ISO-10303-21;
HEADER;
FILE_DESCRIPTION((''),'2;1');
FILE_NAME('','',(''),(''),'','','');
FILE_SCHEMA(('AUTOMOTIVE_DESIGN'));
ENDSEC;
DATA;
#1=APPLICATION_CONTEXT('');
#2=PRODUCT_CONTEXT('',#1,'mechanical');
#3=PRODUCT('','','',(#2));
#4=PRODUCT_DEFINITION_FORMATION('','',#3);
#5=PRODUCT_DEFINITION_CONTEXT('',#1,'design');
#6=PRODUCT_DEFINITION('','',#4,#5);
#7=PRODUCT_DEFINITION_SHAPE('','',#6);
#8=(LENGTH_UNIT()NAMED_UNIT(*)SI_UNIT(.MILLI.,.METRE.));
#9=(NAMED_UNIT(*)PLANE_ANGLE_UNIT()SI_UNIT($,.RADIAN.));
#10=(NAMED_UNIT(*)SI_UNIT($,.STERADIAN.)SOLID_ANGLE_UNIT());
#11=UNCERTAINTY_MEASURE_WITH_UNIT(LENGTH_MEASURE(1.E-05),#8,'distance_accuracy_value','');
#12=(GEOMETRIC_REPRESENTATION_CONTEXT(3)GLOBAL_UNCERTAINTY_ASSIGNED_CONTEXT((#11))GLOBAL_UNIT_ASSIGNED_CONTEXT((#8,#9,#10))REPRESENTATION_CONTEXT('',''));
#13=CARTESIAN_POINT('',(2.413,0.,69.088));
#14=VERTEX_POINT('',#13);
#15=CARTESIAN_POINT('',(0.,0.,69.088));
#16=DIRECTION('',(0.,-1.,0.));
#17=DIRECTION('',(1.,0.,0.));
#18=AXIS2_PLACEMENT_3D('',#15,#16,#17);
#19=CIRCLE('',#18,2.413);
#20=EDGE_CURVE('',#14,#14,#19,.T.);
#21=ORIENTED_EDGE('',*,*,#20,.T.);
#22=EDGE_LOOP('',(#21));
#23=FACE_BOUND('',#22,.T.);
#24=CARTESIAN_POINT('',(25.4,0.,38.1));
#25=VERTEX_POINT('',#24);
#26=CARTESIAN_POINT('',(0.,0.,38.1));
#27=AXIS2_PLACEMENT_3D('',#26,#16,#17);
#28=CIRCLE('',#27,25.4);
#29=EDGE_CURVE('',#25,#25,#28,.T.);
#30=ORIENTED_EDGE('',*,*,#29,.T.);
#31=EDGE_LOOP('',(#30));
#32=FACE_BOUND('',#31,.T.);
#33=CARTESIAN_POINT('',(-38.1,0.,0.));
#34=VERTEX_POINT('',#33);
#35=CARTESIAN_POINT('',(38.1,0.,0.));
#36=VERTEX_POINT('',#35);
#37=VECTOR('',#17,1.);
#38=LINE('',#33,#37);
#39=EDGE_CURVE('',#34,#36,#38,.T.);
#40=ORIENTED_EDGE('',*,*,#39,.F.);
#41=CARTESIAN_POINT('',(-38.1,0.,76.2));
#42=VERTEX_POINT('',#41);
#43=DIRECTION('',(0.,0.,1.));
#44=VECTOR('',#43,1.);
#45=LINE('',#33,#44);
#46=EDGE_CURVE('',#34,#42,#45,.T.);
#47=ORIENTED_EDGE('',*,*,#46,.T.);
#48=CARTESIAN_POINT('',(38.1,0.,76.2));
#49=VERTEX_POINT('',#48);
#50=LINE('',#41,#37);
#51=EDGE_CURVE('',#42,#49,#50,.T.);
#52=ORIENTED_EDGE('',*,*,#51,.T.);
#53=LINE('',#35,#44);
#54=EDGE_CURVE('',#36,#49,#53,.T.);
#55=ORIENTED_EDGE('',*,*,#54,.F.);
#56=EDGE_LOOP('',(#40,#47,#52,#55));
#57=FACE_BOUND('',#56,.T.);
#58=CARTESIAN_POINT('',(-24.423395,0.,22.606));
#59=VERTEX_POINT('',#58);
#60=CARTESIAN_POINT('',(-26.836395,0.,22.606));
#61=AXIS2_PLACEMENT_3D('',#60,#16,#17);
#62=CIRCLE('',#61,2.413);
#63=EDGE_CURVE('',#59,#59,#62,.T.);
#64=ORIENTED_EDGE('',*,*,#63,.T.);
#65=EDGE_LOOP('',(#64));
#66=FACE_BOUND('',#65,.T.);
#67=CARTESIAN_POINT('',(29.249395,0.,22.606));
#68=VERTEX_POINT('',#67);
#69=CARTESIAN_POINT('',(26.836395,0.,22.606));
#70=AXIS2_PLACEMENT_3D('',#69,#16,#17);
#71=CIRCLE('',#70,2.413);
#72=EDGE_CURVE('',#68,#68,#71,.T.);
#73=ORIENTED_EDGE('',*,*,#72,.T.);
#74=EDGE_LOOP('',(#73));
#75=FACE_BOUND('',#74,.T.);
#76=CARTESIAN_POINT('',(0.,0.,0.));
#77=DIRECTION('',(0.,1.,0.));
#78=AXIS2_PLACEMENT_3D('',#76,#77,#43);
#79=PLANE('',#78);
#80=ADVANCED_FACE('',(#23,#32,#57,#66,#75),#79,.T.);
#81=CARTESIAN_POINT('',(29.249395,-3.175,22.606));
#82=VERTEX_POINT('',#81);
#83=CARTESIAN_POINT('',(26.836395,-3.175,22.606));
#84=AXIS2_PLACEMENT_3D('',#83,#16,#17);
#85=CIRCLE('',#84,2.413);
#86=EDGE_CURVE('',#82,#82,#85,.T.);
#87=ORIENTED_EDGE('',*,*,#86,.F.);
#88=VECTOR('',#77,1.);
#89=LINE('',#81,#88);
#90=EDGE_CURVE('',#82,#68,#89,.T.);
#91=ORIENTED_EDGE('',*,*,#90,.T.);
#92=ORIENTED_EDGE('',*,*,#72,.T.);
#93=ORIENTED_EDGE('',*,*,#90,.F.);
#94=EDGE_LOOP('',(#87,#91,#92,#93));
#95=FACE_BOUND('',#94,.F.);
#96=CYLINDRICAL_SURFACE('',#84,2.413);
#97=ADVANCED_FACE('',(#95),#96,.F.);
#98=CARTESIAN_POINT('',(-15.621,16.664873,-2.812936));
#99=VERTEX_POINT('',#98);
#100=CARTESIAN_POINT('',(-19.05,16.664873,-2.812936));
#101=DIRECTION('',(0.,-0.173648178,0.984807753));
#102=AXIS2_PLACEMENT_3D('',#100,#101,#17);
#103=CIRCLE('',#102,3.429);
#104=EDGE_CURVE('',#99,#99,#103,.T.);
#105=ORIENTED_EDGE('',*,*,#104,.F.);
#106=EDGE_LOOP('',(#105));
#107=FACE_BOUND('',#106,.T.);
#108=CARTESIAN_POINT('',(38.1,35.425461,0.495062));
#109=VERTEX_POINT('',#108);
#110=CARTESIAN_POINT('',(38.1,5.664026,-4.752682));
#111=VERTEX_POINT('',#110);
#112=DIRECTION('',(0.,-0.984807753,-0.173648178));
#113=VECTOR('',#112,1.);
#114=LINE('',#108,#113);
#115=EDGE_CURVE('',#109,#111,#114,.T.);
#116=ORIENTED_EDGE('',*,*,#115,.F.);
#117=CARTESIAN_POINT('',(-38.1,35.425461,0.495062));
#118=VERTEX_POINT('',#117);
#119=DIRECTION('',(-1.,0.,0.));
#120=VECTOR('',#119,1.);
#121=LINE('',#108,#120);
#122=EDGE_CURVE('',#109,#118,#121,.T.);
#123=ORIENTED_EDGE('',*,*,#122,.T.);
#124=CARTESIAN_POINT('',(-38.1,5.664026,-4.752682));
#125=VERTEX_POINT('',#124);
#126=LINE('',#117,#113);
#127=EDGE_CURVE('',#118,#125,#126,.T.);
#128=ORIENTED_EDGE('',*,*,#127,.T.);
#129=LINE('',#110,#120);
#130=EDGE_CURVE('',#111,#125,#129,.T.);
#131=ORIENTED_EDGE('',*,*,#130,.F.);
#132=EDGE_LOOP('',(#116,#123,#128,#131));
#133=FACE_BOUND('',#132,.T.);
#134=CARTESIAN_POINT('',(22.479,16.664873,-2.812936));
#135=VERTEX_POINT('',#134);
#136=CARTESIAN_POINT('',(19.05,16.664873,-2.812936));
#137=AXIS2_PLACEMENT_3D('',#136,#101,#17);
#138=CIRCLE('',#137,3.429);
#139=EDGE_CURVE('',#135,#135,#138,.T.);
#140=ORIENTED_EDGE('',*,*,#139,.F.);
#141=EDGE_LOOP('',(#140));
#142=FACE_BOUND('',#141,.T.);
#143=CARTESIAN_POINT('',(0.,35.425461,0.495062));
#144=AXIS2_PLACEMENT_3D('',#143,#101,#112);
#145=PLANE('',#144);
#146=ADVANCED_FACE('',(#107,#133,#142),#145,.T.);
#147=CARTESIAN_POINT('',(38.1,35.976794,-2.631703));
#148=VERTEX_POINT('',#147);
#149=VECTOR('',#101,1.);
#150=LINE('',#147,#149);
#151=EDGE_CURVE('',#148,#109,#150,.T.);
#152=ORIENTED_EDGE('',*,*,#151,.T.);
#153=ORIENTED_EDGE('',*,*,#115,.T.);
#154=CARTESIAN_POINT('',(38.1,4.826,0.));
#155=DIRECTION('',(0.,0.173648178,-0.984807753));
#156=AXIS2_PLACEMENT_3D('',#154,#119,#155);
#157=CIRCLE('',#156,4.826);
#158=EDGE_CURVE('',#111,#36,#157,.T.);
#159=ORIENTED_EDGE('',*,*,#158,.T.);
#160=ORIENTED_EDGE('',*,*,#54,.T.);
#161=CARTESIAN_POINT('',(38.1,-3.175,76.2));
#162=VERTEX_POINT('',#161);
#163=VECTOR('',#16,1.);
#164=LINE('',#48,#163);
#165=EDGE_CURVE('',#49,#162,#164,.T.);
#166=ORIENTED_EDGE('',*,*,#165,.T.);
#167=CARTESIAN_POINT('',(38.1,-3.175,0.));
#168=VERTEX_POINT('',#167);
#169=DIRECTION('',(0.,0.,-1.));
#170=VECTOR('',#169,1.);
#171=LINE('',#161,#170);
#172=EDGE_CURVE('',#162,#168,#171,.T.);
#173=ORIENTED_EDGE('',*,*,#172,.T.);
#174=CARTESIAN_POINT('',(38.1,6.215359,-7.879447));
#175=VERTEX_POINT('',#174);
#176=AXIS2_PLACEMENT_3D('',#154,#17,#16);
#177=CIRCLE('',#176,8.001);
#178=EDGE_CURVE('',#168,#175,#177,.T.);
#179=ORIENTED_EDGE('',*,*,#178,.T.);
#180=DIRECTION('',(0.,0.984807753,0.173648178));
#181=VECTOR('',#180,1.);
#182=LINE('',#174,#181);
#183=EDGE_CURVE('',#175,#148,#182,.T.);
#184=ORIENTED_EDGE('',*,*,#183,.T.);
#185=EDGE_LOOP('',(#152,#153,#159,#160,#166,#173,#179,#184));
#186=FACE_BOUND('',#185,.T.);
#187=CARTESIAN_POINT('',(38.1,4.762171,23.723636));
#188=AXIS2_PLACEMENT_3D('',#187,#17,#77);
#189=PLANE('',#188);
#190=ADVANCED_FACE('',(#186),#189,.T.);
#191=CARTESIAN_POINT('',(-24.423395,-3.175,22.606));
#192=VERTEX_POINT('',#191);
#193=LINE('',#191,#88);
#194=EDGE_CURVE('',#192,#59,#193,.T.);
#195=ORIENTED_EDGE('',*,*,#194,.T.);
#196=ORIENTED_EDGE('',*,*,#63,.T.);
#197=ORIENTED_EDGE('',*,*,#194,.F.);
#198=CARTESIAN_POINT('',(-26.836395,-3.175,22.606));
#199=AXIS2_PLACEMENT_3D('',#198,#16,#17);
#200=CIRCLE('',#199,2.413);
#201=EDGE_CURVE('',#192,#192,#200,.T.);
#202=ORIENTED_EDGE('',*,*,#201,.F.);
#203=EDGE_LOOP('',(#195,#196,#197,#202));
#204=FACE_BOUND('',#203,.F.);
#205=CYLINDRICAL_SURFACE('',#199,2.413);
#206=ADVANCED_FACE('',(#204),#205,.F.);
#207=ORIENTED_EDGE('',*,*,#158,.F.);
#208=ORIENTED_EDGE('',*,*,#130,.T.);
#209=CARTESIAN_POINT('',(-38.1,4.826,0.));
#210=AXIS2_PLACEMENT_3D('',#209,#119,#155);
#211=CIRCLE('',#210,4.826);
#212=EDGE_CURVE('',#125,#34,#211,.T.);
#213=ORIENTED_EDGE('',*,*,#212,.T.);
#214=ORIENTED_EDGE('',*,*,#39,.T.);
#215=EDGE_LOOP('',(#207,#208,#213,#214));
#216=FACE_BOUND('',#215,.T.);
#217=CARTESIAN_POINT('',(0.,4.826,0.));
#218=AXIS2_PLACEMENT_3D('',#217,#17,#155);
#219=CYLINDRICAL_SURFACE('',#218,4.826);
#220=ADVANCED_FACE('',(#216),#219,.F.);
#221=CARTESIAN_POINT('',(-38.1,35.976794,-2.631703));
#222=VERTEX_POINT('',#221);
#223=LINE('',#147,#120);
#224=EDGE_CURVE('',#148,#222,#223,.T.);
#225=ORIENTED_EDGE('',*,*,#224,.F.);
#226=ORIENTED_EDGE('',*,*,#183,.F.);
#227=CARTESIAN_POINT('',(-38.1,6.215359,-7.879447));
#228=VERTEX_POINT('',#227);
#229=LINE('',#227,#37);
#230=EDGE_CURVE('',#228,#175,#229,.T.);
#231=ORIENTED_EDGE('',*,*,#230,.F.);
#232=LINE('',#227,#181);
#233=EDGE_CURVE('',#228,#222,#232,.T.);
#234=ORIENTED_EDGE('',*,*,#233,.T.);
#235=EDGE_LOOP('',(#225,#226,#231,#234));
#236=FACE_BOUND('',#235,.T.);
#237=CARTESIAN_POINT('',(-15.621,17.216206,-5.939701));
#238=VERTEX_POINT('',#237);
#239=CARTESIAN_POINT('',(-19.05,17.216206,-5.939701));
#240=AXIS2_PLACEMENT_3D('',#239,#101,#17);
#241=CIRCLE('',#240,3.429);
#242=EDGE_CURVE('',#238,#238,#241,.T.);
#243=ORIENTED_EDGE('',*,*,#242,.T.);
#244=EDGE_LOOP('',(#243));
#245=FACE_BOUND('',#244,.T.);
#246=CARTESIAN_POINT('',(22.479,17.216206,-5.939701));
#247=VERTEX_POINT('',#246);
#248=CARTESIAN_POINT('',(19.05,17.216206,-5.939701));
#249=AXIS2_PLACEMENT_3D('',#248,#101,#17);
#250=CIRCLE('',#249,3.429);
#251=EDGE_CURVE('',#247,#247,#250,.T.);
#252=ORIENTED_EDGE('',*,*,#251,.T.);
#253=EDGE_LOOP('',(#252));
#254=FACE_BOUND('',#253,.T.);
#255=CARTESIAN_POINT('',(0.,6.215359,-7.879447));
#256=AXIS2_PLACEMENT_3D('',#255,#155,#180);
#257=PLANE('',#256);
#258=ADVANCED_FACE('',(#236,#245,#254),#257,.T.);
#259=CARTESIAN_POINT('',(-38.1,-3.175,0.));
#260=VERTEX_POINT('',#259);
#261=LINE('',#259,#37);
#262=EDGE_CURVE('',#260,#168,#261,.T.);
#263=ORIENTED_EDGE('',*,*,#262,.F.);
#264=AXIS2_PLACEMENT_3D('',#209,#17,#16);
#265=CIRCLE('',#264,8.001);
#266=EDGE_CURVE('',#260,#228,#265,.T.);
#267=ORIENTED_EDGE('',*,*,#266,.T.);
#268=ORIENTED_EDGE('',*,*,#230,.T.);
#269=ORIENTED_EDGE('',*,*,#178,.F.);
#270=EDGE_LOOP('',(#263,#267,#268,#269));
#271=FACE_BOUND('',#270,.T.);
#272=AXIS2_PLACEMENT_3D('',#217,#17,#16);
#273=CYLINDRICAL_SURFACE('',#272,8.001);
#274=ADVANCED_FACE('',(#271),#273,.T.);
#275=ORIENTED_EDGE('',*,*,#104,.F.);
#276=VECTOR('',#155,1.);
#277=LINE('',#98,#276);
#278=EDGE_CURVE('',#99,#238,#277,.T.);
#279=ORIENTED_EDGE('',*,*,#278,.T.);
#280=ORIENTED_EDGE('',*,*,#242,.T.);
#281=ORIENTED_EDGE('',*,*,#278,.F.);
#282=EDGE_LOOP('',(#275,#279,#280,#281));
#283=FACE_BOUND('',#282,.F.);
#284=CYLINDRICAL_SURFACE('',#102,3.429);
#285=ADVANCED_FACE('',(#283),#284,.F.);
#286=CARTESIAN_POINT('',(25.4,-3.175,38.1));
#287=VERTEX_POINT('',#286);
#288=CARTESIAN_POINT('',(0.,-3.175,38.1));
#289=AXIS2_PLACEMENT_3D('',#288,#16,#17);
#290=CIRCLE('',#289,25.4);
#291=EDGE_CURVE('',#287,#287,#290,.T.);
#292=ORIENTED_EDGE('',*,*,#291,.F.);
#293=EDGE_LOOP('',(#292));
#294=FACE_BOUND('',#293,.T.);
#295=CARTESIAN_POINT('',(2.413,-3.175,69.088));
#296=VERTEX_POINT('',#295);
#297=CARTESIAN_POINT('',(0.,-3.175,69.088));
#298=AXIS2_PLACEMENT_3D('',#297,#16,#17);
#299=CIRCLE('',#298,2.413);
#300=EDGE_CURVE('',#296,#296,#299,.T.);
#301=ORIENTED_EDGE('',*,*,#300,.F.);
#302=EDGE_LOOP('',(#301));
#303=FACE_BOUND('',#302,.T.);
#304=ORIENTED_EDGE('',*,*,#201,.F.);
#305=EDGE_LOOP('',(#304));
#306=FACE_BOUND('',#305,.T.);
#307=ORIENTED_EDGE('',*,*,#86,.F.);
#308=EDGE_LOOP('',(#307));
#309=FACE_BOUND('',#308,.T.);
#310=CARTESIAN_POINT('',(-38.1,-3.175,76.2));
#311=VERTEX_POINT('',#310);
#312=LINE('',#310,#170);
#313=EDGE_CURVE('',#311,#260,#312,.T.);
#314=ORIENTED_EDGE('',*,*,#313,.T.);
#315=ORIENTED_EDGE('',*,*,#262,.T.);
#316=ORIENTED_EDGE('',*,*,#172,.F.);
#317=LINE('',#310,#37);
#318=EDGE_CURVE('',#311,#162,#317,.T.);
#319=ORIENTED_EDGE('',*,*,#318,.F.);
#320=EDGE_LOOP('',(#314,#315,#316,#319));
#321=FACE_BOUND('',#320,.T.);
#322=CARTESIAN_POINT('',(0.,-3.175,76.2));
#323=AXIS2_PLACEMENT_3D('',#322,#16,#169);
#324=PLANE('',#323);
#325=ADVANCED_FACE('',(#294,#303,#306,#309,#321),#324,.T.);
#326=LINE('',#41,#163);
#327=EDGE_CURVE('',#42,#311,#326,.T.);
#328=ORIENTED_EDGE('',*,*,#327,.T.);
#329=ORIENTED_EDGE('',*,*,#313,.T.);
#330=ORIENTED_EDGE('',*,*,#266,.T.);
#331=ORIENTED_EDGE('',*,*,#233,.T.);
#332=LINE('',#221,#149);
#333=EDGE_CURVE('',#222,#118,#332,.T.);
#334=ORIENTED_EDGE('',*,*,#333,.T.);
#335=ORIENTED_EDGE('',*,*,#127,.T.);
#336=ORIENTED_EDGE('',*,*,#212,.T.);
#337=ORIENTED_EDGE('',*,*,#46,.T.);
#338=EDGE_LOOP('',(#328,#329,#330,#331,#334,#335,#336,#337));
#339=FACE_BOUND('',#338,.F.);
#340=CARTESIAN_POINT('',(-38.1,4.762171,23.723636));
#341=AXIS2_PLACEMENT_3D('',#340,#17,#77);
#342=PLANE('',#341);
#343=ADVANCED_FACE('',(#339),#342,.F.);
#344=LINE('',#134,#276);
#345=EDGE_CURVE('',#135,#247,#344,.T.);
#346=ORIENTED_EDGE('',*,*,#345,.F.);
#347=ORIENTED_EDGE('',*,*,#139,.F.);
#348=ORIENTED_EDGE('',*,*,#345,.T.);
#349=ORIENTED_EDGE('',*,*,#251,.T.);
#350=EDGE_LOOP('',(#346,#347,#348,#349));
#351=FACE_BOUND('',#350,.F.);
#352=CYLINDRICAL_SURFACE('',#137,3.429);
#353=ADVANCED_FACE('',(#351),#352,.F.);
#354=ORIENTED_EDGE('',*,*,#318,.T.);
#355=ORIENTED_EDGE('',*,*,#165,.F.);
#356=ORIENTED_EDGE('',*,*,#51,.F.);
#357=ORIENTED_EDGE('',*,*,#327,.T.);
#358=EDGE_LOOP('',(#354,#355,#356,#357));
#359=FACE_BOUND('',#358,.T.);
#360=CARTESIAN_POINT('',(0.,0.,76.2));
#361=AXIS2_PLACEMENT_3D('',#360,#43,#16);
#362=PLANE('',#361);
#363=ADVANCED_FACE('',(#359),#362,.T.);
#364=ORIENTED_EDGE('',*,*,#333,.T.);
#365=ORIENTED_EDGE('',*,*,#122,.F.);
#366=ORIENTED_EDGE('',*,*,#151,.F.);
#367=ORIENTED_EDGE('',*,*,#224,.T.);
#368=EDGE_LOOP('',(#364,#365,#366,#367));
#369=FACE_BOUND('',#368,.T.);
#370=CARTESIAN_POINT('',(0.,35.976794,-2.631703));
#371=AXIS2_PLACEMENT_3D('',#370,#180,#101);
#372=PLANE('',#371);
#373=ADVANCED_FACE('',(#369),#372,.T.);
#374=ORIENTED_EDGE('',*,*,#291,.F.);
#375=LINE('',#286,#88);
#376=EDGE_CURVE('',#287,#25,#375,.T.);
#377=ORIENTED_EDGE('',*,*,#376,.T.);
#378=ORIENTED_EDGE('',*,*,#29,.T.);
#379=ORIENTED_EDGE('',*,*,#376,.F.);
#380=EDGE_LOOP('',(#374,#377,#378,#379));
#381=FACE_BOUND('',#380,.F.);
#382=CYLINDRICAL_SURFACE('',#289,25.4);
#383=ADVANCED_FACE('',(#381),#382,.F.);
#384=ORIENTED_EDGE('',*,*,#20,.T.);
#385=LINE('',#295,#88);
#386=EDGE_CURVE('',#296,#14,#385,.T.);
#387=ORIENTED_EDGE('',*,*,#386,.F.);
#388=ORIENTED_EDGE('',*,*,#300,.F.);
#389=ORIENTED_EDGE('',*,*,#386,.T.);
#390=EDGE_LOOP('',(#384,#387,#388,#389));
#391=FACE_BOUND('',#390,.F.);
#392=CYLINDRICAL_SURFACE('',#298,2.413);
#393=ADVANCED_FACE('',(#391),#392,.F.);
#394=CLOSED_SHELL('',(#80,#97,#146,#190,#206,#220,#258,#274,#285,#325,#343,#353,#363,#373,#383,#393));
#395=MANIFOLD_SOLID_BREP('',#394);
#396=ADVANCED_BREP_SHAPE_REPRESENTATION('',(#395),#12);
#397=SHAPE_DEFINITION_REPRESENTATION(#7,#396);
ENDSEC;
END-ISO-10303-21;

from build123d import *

# Parameters (mm, degrees)
F1_DEPTH = 38.1
F2_R     = 25.4
F2_R_2   = 2.413
F3_DEPTH = 25.4
F4_R     = 3.429
F5_DEPTH = 25.4


with BuildPart() as f1:
    # F0 (on Right) → F1 (new body, symmetric)
    with BuildSketch(Plane.YZ):
        with BuildLine():
            ThreePointArc((5.6640261054, -4.752682216), (1.7239069957, -3.6969304825), (0, 0))
            Line((0, 0), (0, 76.2))
            Line((0, 76.2), (-3.175, 76.2))
            Line((-3.175, 76.2), (-3.175, 0))
            ThreePointArc((-3.175, 0), (-0.3169436651, -6.1291215894), (6.2153590695, -7.8794468319))
            Line((6.2153590695, -7.8794468319), (35.9767941298, -2.6317028461))
            Line((35.9767941298, -2.6317028461), (35.4254611657, 0.4950617697))
            Line((35.4254611657, 0.4950617697), (5.6640261054, -4.752682216))
        make_face()
    extrude(amount=F1_DEPTH, both=True)

    # F2 (on face) → F3 (cut)
    with BuildSketch(Plane.XZ.offset(3.175)):
        with Locations((0, 38.1)):
            Circle(F2_R)
        with Locations((-26.8363952125, 22.606)):
            Circle(F2_R_2)
        with Locations((0, 69.088)):
            Circle(F2_R_2)
        with Locations((26.8363952125, 22.606)):
            Circle(F2_R_2)
    extrude(amount=-F3_DEPTH, mode=Mode.SUBTRACT)

    # F4 (on face) → F5 (cut)
    with BuildSketch(Plane(origin=(0, 0.9835478115, -5.5779768219), x_dir=(1, 0, 0), z_dir=(0, -0.1736481777, 0.984807753))):
        with Locations((19.05, 15.9232353842)):
            Circle(F4_R)
        with Locations((-19.05, 15.9232353842)):
            Circle(F4_R)
    extrude(amount=-F5_DEPTH, mode=Mode.SUBTRACT)


solid = f1.part
